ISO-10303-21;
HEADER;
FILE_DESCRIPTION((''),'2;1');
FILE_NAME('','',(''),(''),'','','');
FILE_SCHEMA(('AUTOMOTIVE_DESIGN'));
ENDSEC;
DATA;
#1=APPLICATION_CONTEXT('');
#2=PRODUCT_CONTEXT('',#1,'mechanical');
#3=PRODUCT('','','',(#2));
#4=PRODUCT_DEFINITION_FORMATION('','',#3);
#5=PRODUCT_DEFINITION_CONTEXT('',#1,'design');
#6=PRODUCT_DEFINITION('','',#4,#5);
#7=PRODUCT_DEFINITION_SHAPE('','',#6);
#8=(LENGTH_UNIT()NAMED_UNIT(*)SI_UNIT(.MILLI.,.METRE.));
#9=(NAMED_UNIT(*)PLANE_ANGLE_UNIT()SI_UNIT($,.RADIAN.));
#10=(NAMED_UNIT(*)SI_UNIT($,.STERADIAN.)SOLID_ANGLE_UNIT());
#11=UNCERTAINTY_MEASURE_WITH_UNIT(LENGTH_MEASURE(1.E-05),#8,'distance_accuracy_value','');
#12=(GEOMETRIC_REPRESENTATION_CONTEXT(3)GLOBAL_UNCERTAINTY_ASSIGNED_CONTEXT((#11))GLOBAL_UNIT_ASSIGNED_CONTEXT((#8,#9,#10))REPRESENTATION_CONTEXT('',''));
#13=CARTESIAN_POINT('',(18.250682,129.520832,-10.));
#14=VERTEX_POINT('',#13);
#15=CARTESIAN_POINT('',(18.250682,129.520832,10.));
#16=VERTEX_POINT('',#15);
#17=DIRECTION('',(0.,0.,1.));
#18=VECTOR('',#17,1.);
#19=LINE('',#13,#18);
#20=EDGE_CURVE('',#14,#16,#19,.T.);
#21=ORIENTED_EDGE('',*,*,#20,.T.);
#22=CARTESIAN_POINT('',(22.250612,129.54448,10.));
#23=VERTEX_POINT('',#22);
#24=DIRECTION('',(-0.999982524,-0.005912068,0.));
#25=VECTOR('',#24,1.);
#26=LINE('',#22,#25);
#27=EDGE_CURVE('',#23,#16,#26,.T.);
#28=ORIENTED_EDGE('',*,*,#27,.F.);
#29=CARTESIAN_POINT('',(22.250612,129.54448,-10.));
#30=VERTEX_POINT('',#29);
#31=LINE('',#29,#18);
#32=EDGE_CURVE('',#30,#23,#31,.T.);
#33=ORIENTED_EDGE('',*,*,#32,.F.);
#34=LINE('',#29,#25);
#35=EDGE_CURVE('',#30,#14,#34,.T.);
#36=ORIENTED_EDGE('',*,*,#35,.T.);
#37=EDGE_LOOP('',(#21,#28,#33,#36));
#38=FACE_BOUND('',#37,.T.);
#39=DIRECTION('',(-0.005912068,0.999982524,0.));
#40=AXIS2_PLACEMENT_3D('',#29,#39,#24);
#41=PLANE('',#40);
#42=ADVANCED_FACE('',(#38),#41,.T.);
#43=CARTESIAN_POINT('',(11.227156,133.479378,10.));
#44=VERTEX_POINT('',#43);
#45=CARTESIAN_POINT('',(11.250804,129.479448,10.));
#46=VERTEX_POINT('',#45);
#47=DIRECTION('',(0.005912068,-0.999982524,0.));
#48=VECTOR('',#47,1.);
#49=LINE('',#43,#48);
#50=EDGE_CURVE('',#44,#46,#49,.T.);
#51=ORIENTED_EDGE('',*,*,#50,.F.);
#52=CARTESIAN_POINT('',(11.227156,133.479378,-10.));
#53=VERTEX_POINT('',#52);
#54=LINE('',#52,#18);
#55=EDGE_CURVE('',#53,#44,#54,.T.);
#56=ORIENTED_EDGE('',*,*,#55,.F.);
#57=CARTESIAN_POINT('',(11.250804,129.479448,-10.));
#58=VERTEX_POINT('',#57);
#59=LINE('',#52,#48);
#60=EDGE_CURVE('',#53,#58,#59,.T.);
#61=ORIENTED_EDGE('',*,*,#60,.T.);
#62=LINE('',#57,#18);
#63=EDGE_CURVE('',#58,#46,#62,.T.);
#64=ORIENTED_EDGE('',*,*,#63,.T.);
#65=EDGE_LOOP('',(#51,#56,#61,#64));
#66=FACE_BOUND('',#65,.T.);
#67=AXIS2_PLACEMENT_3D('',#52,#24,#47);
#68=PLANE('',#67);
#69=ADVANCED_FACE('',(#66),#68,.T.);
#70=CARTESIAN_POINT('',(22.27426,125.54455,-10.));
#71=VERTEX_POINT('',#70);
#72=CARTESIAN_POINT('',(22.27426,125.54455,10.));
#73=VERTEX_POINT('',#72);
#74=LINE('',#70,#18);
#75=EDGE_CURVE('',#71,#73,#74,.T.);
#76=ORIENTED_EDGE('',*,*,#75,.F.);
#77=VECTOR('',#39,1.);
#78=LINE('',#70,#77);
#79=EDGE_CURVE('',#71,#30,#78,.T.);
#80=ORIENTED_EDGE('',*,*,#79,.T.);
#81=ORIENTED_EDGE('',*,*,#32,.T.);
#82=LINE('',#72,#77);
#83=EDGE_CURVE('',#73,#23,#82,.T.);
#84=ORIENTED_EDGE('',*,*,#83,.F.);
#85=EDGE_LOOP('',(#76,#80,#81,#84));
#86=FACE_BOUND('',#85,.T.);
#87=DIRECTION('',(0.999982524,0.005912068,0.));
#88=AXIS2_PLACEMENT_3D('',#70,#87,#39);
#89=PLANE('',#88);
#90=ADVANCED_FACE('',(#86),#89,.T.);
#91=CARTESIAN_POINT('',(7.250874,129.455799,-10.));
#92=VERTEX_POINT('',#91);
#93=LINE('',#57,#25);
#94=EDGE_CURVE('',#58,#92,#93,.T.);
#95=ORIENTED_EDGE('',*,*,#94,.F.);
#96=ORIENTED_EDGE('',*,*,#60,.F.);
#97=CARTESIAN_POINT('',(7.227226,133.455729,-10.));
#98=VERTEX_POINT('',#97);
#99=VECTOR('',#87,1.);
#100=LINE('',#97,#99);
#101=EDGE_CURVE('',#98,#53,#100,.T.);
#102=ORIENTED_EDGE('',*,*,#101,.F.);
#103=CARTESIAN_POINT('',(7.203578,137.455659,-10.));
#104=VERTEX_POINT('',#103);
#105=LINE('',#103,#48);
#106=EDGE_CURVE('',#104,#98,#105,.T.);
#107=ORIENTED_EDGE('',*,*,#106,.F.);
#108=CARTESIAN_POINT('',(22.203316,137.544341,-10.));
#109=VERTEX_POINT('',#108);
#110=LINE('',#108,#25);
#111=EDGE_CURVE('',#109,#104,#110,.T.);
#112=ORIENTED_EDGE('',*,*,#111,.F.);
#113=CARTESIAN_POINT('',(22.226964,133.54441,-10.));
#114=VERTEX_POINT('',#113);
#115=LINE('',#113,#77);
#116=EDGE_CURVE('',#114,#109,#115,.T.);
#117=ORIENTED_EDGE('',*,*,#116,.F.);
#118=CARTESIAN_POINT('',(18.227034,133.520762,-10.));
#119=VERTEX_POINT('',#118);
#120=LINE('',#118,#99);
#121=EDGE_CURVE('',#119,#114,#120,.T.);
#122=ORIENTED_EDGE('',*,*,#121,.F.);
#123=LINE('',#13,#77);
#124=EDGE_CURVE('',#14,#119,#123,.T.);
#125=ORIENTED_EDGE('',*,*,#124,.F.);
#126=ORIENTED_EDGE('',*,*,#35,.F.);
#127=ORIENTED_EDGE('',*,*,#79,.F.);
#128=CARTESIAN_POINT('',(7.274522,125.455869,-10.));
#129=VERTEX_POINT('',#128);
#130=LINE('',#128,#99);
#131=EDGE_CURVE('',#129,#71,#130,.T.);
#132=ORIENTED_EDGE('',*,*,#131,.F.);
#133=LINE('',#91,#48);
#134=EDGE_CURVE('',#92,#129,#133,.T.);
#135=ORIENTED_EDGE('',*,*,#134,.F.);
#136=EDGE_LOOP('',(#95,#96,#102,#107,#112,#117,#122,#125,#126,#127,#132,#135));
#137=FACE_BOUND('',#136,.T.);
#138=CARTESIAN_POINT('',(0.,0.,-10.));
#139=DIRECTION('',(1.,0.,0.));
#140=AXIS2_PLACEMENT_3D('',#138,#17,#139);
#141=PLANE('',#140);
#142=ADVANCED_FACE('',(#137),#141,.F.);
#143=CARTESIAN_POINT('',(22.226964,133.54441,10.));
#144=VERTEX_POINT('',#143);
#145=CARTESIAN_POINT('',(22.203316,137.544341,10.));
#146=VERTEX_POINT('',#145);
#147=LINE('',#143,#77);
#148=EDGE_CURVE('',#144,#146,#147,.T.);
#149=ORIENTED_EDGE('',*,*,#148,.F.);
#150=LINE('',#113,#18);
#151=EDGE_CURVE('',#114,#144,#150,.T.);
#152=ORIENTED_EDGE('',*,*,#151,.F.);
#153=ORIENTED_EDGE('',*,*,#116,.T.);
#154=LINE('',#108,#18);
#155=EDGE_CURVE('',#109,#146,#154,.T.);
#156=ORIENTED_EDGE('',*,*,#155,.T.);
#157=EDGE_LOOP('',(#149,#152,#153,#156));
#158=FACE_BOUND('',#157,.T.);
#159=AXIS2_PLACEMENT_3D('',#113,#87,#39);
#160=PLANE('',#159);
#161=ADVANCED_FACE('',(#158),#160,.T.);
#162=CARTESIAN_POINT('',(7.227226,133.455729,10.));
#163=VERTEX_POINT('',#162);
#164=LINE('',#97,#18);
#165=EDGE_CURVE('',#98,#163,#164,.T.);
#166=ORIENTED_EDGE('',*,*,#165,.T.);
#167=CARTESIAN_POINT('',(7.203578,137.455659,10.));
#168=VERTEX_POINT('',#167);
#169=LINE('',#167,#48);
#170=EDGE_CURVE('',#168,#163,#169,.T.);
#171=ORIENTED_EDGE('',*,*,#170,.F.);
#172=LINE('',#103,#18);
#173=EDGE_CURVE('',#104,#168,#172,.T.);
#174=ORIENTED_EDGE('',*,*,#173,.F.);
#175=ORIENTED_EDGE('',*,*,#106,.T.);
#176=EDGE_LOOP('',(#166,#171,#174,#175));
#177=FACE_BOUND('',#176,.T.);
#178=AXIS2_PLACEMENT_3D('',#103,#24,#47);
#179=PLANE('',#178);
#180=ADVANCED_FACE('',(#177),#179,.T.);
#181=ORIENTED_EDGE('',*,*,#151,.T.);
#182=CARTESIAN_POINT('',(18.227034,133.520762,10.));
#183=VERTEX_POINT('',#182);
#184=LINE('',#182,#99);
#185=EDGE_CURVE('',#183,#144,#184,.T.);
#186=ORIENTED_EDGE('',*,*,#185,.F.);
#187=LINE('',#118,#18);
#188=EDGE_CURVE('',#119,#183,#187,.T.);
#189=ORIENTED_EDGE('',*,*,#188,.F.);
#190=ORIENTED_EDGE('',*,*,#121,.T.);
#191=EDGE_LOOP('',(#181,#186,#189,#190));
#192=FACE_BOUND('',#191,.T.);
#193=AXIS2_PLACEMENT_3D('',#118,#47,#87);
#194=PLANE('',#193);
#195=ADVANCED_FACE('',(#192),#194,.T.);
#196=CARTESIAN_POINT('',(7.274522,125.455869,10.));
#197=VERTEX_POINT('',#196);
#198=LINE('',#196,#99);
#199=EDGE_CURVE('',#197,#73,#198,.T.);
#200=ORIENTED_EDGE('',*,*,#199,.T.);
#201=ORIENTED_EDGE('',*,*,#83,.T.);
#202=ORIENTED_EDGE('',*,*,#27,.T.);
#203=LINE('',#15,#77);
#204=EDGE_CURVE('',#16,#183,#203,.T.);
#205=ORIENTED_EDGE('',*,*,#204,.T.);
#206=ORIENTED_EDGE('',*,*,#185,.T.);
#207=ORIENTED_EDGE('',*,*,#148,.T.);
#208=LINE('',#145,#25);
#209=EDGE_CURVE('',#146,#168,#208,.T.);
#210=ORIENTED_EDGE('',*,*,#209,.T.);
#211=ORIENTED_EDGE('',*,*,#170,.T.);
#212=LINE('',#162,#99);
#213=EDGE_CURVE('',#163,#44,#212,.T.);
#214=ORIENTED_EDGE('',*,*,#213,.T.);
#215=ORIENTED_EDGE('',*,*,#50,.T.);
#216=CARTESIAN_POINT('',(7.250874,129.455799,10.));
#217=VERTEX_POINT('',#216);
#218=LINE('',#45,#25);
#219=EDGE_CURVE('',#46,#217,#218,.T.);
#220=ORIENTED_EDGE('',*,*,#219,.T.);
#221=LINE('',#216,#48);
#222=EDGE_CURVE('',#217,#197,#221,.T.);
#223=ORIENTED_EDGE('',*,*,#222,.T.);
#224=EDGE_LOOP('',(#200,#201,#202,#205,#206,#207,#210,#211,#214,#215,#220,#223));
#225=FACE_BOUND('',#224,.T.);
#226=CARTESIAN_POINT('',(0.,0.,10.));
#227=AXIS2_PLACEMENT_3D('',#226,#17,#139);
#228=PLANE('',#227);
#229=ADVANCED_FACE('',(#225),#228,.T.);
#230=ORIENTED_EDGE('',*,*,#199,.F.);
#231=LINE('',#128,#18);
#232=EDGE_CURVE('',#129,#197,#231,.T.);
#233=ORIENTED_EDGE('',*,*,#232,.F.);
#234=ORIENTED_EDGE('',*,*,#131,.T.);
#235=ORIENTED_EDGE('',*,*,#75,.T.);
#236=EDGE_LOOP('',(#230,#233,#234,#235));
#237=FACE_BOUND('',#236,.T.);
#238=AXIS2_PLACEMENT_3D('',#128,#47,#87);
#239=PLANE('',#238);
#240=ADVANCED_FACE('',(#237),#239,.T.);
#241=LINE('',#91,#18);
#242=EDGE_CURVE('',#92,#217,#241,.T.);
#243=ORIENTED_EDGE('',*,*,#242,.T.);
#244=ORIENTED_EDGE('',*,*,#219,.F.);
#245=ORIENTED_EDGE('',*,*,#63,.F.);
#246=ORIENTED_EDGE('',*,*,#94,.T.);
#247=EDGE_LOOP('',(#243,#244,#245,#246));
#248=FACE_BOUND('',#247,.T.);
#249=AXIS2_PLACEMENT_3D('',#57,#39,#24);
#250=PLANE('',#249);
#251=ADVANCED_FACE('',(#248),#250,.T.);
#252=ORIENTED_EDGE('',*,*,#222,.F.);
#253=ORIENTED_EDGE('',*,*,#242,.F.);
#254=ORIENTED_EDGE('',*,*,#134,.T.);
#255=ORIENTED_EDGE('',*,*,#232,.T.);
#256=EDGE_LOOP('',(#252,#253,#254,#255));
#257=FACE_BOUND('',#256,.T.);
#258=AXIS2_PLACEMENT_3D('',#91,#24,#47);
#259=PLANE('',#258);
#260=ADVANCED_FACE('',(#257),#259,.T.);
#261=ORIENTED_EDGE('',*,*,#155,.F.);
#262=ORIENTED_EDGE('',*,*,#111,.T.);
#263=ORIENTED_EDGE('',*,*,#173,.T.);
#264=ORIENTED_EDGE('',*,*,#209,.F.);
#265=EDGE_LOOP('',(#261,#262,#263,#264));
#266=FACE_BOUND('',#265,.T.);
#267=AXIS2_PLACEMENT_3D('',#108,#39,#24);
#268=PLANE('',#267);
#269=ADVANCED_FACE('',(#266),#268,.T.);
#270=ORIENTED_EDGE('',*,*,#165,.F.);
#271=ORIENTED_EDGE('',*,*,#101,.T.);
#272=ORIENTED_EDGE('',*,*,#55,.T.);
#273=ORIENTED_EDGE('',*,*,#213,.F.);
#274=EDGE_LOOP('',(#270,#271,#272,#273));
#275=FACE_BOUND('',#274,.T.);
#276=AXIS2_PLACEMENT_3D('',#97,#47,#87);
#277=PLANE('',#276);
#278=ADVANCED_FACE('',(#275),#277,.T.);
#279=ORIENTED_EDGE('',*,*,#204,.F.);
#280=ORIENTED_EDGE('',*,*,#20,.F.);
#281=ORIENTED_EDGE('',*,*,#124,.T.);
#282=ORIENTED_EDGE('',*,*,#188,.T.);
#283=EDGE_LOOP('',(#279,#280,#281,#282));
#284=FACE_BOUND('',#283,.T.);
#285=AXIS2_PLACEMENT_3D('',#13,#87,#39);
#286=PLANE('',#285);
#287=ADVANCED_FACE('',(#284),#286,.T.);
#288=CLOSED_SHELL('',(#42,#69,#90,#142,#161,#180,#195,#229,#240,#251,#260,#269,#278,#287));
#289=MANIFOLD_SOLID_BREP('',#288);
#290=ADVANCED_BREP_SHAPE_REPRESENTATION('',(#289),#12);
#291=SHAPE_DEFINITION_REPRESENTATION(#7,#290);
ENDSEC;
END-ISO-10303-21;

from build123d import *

# Parameters (mm, degrees)
BOSS_EXTRUDE1_DEPTH      = 10
BOSS_EXTRUDE1_DEPTH_BACK = 10


with BuildPart() as part:
    # Sketch1 → Boss-Extrude1 (new, two sides: drawn at the far end of the back side and taken through both)
    with BuildSketch(Plane.XY.offset(-BOSS_EXTRUDE1_DEPTH_BACK)):
        Polygon((7.274522478, 125.455869207), (22.274260332, 125.544550227), (22.25061206, 129.544480321), (18.250681966, 129.520832049), (18.227033694, 133.520762144), (22.226963788, 133.544410415), (22.203315516, 137.54434051), (7.203577663, 137.45565949), (7.227225935, 133.455729396), (11.227156029, 133.479377668), (11.250804301, 129.479447574), (7.250874206, 129.455799302), align=None)
    extrude(amount=BOSS_EXTRUDE1_DEPTH + BOSS_EXTRUDE1_DEPTH_BACK)


solid = part.part
